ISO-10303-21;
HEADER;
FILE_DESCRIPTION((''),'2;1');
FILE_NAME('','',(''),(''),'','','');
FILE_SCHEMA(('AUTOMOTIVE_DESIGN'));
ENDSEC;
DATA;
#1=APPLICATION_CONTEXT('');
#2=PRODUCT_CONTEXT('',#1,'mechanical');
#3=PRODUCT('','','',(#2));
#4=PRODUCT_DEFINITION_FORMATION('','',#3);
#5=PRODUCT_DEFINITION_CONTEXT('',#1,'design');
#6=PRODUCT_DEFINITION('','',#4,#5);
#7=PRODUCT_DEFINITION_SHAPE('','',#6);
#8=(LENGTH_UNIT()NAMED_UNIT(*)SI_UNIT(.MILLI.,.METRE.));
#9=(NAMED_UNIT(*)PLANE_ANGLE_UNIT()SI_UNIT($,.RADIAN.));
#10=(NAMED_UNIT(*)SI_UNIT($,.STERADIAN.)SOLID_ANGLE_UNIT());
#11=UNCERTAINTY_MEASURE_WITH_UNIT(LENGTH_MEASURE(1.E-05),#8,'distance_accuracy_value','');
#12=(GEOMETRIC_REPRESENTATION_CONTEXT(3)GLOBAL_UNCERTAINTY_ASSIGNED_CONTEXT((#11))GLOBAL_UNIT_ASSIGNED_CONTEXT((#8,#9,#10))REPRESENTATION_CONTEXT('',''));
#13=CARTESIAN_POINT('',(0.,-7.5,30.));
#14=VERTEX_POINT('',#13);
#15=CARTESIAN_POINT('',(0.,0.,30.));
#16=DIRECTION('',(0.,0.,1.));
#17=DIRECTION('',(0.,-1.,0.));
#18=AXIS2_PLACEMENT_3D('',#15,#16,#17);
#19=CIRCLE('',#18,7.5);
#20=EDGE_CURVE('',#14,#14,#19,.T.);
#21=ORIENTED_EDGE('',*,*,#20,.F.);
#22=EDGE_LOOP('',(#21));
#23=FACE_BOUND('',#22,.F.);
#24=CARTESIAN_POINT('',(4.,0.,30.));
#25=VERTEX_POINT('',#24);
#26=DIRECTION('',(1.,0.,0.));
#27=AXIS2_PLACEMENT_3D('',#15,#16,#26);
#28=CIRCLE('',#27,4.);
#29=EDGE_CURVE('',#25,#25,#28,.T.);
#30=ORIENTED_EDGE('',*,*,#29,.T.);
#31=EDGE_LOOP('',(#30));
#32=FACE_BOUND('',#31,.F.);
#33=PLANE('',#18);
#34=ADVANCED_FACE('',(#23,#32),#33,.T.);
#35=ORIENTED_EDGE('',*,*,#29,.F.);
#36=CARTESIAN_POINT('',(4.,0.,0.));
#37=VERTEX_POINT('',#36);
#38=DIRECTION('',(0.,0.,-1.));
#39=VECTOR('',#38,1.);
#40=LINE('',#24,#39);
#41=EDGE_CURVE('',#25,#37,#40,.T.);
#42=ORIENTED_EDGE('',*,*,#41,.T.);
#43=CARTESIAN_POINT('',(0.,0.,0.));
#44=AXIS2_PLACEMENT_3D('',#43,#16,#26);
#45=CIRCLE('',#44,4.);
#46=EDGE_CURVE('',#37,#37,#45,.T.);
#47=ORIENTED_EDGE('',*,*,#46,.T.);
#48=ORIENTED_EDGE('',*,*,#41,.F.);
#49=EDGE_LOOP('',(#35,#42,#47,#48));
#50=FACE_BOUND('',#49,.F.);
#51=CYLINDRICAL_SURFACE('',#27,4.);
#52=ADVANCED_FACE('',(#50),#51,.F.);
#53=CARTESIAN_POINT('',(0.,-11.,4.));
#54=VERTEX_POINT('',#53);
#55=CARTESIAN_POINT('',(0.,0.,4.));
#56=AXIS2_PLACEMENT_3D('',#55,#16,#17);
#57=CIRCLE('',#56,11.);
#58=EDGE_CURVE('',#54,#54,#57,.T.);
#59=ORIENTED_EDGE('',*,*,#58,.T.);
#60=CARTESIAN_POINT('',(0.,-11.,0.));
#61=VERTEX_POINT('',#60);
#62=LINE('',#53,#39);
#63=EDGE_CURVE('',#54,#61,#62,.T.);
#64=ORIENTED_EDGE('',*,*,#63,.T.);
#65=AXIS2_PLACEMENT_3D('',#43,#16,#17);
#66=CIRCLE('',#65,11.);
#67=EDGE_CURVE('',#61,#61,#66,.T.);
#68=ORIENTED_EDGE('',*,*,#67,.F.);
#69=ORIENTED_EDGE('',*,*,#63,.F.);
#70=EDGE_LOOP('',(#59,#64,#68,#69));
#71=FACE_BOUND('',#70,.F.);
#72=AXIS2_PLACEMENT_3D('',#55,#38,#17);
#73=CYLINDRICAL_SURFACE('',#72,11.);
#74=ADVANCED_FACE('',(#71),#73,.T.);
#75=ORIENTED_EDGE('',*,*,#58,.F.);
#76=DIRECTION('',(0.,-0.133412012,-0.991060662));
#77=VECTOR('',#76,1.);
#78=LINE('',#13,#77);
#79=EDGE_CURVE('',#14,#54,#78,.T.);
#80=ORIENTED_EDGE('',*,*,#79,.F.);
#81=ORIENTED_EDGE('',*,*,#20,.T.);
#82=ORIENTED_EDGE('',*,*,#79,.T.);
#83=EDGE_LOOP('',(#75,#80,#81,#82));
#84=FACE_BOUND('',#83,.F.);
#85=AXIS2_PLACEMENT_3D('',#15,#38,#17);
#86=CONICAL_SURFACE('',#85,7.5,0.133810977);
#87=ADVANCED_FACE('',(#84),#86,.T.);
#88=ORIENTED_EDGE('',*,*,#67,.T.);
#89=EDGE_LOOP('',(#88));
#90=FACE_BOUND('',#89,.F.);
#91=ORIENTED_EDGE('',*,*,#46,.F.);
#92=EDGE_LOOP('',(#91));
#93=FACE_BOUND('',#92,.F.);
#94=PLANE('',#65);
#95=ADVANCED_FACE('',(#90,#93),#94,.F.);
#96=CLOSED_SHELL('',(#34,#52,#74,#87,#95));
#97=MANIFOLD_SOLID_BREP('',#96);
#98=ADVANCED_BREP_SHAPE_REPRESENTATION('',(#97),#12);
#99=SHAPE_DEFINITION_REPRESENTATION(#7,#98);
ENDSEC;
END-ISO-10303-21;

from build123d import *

# Parameters (mm, degrees)
F2_R     = 4
F3_DEPTH = 30


with BuildPart() as f1:
    # F0 (on Right) → F1 (revolve)
    with BuildSketch(Plane.YZ):
        Polygon((-11, 0), (0, 0), (0, 30), (-7.5, 30), (-11, 4), align=None)
    revolve(axis=Axis((0, 0, 15), (0, 0, 1)))

    # F2 (on face) → F3 (cut)
    with BuildSketch(Plane.XY.offset(30)):
        Circle(F2_R)
    extrude(amount=-F3_DEPTH, mode=Mode.SUBTRACT)


solid = f1.part
